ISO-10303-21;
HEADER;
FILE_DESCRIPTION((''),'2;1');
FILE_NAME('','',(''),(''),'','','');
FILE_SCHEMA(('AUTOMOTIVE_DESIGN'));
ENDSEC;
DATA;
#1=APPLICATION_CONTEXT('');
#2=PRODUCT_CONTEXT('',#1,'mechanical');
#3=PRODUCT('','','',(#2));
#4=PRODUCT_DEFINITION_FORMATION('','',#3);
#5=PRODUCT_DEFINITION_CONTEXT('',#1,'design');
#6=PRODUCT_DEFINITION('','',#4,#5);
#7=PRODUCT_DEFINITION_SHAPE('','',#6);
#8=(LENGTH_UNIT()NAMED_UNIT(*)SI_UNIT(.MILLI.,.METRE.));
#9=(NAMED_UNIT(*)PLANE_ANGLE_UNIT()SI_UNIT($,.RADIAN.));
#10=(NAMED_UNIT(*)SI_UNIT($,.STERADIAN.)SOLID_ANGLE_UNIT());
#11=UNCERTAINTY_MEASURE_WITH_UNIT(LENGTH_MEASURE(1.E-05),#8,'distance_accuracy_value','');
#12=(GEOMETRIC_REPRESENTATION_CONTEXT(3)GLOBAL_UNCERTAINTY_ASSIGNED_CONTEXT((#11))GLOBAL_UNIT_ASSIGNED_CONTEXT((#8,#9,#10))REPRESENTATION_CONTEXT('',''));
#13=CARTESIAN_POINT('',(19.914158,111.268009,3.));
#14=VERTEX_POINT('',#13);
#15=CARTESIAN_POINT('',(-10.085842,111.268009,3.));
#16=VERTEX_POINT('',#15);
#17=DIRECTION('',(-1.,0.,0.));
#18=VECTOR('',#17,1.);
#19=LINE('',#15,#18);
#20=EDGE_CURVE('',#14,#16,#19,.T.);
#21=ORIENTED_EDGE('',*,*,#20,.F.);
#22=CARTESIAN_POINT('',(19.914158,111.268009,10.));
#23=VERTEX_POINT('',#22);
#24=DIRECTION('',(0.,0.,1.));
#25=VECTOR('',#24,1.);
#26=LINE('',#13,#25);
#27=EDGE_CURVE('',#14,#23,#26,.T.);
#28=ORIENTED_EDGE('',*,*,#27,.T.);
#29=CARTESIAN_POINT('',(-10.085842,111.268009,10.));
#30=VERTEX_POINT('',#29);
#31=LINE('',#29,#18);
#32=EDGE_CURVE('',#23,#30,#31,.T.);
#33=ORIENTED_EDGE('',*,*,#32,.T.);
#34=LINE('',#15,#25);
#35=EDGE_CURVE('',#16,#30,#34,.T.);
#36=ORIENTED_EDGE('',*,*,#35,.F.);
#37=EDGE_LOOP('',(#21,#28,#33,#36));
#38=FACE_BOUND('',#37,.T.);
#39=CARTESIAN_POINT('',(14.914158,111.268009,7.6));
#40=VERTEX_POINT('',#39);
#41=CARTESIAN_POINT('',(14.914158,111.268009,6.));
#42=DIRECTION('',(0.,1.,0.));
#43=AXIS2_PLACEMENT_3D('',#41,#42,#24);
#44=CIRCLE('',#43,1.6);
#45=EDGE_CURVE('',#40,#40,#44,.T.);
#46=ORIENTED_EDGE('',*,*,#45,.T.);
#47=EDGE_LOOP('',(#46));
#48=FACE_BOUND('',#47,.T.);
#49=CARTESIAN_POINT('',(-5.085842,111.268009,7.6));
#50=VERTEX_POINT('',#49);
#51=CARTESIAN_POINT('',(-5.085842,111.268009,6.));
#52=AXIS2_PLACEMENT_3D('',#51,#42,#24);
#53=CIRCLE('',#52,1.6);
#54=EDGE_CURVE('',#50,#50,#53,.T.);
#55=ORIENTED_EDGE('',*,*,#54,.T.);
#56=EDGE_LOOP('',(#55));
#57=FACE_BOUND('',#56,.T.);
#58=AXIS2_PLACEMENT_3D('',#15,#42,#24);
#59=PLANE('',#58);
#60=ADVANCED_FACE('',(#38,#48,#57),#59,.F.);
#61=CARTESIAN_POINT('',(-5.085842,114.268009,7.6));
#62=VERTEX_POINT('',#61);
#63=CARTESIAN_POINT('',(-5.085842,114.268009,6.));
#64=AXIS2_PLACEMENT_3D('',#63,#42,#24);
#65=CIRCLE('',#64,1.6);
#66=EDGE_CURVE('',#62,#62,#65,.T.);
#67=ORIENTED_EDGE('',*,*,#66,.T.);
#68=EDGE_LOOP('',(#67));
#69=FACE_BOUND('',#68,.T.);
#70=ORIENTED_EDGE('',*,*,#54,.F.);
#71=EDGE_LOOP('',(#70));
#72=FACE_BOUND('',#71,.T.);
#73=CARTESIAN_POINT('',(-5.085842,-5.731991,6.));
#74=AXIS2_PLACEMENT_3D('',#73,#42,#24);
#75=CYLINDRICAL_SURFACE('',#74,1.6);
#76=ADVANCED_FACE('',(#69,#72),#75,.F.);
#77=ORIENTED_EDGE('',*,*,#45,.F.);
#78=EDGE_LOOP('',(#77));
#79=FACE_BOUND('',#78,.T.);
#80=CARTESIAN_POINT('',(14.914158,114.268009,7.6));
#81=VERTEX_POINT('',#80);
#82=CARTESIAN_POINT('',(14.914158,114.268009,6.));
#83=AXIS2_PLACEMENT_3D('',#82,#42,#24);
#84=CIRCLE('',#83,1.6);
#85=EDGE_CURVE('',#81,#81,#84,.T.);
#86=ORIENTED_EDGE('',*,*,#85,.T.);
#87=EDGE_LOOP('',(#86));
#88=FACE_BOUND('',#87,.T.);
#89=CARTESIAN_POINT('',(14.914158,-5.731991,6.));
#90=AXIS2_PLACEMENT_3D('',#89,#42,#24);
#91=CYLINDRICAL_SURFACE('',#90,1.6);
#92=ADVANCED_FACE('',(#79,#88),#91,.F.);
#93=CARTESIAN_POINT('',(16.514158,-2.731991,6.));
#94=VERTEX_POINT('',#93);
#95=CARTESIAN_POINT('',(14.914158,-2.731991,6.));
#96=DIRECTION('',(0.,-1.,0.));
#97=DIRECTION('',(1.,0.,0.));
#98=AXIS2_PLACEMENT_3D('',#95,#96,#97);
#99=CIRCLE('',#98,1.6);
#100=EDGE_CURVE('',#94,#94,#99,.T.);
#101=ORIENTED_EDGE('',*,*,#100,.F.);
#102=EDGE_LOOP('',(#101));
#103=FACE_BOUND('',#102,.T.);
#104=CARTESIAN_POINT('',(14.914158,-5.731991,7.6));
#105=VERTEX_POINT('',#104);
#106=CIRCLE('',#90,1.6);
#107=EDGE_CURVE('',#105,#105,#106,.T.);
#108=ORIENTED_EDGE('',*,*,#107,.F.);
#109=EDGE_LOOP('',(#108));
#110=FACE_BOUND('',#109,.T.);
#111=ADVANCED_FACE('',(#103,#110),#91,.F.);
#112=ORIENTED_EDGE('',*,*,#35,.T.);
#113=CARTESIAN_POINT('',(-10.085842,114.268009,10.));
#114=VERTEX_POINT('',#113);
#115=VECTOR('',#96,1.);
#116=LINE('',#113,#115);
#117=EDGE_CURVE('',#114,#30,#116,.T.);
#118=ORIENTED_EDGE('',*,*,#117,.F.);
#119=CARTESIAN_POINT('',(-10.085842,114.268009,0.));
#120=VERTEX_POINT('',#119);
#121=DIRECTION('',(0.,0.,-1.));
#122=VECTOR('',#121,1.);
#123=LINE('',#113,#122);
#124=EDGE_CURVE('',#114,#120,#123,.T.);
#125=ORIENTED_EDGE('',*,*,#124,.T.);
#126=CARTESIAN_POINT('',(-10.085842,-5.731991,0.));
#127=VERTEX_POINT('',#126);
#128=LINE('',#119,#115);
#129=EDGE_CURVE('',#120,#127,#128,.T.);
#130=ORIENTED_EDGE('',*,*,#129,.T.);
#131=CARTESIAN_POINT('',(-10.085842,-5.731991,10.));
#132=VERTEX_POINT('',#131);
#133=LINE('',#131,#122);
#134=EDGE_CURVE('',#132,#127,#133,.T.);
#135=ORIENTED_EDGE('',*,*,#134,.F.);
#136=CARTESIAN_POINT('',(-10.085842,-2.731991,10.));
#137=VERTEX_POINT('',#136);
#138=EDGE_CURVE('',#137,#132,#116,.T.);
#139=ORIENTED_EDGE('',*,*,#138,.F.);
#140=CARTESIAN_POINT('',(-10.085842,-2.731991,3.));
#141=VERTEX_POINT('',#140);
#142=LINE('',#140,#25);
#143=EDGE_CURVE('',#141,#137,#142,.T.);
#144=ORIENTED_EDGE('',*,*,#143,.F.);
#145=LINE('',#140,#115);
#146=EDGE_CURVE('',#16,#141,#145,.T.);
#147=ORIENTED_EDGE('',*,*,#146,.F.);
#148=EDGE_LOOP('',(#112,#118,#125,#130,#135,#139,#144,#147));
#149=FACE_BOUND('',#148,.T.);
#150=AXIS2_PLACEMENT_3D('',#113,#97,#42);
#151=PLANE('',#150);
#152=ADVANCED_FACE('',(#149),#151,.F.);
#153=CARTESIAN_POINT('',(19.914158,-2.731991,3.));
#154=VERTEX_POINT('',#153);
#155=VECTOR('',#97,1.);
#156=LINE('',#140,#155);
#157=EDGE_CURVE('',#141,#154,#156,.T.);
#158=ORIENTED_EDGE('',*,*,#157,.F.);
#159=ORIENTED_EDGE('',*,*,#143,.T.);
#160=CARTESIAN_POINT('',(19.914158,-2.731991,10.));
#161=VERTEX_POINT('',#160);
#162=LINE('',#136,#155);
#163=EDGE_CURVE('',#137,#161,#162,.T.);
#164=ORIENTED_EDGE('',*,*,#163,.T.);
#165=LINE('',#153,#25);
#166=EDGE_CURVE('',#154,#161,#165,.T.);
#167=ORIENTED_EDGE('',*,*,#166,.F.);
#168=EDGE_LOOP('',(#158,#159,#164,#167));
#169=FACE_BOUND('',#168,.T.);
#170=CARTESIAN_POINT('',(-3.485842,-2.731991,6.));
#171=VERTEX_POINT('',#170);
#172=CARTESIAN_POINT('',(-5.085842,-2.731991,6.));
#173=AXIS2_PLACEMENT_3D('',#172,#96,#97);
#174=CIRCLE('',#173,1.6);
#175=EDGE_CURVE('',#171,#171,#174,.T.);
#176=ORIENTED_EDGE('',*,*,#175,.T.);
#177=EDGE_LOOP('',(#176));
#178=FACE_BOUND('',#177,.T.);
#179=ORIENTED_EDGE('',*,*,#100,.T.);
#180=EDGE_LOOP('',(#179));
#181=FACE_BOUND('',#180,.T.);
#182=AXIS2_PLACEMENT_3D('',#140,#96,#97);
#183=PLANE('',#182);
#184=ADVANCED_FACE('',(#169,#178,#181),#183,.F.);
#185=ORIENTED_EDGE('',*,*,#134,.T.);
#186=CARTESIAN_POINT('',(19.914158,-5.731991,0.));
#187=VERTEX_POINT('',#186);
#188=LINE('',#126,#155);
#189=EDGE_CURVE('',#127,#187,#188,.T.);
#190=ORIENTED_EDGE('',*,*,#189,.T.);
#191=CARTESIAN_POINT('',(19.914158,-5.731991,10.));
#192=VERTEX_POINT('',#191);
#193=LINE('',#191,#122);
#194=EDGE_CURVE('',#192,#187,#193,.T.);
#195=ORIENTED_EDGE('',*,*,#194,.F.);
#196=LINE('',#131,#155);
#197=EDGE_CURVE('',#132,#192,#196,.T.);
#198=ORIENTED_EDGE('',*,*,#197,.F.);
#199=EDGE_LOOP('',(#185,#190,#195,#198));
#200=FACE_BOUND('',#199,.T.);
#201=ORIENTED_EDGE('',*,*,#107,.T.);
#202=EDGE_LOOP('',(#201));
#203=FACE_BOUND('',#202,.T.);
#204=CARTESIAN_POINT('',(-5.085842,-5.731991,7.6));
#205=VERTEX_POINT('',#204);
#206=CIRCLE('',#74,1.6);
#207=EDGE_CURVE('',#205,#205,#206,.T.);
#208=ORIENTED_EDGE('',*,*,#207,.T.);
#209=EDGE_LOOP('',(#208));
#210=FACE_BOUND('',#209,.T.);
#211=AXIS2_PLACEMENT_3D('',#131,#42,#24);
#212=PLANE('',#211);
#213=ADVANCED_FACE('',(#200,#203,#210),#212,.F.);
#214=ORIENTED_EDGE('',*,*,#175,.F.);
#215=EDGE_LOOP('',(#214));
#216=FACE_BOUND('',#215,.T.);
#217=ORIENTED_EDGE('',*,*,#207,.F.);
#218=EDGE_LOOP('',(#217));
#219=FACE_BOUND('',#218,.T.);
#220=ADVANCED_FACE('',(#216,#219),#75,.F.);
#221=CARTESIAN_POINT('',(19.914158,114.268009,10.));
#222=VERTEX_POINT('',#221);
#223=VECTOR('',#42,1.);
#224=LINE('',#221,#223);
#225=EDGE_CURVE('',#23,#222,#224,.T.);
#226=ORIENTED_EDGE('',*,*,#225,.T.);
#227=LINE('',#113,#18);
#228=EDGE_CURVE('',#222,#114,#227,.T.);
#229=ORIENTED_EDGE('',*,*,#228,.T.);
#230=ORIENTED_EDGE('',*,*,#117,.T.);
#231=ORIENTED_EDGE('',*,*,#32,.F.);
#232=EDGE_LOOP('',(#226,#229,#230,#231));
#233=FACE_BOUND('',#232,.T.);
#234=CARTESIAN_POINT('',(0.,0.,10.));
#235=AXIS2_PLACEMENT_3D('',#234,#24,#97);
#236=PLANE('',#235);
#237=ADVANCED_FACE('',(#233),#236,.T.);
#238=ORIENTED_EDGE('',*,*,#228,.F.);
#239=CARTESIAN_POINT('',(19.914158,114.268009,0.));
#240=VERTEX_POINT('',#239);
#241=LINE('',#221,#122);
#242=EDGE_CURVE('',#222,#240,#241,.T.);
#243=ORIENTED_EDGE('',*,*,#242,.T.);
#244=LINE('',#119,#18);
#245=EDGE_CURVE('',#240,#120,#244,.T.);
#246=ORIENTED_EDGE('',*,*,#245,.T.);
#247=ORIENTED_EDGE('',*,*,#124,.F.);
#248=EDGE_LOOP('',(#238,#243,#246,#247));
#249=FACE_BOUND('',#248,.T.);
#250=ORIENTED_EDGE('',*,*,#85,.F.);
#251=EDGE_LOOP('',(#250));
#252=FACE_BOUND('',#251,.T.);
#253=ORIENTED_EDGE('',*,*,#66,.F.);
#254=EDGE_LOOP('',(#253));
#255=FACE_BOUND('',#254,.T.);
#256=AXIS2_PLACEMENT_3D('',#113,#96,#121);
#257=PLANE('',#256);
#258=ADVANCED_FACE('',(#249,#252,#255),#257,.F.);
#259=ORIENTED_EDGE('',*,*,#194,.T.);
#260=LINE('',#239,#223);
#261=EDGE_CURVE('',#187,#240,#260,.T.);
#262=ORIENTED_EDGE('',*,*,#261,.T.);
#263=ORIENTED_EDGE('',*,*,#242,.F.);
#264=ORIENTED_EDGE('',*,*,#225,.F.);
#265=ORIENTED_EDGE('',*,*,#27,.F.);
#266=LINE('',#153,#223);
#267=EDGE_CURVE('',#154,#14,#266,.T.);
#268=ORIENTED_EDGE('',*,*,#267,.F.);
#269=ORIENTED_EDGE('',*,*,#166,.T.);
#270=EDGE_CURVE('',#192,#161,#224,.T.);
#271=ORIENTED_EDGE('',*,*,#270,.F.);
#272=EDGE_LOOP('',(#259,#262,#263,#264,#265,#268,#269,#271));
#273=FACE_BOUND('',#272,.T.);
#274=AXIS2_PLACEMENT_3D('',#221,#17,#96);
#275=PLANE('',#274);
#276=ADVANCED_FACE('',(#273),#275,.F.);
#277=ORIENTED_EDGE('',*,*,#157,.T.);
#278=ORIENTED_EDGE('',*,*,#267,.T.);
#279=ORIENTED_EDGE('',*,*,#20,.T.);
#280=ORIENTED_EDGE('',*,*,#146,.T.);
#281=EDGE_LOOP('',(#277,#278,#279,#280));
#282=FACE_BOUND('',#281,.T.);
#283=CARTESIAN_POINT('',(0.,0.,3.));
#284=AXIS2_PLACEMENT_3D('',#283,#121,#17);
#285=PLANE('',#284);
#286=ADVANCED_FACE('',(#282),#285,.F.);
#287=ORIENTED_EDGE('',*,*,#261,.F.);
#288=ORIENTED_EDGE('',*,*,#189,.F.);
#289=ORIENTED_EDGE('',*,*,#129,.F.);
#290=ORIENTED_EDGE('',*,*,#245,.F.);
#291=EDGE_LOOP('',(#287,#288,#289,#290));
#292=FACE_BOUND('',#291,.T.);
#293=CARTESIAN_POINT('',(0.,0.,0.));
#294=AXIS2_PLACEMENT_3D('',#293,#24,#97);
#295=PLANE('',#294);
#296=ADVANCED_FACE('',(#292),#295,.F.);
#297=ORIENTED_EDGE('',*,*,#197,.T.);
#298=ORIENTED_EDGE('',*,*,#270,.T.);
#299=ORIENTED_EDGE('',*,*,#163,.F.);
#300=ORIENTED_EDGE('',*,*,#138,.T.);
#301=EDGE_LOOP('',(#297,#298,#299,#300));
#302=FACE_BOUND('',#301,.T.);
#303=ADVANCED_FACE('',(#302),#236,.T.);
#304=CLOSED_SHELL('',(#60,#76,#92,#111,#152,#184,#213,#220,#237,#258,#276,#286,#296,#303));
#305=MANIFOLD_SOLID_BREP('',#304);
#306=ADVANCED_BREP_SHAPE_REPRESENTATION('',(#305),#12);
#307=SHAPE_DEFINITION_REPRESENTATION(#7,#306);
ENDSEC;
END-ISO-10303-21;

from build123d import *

# Parameters (mm, degrees)
SKETCH_1_W          = 30
SKETCH_1_H          = 120
EXTRUDE_1_DEPTH     = 10
SKETCH_2_W          = 30
SKETCH_2_H          = 114
CUT_EXTRUDE_1_DEPTH = 7
SKETCH_3_R          = 1.6
CUT_EXTRUDE_2_DEPTH = 121


with BuildPart() as part:
    # 草图1 → 凸台-拉伸1 (new body)
    with BuildSketch(Plane.XY):
        with Locations((4.914157805, 54.268009127)):
            Rectangle(SKETCH_1_W, SKETCH_1_H)
    extrude(amount=EXTRUDE_1_DEPTH)

    # 草图2 → 切除-拉伸1 (cut)
    with BuildSketch(Plane.XY.offset(10)):
        with Locations((4.914157805, 54.268009127)):
            Rectangle(SKETCH_2_W, SKETCH_2_H)
    extrude(amount=-CUT_EXTRUDE_1_DEPTH, mode=Mode.SUBTRACT)

    # 草图3 → 切除-拉伸2 (cut, through all)
    with BuildSketch(Plane(origin=(0, 114.268009127, 0), x_dir=(1, 0, 0), z_dir=(0, 1, 0))):
        with Locations((-5.085842195, -6)):
            Circle(SKETCH_3_R)
        with Locations((14.914157805, -6)):
            Circle(SKETCH_3_R)
    extrude(amount=-CUT_EXTRUDE_2_DEPTH, mode=Mode.SUBTRACT)


solid = part.part
